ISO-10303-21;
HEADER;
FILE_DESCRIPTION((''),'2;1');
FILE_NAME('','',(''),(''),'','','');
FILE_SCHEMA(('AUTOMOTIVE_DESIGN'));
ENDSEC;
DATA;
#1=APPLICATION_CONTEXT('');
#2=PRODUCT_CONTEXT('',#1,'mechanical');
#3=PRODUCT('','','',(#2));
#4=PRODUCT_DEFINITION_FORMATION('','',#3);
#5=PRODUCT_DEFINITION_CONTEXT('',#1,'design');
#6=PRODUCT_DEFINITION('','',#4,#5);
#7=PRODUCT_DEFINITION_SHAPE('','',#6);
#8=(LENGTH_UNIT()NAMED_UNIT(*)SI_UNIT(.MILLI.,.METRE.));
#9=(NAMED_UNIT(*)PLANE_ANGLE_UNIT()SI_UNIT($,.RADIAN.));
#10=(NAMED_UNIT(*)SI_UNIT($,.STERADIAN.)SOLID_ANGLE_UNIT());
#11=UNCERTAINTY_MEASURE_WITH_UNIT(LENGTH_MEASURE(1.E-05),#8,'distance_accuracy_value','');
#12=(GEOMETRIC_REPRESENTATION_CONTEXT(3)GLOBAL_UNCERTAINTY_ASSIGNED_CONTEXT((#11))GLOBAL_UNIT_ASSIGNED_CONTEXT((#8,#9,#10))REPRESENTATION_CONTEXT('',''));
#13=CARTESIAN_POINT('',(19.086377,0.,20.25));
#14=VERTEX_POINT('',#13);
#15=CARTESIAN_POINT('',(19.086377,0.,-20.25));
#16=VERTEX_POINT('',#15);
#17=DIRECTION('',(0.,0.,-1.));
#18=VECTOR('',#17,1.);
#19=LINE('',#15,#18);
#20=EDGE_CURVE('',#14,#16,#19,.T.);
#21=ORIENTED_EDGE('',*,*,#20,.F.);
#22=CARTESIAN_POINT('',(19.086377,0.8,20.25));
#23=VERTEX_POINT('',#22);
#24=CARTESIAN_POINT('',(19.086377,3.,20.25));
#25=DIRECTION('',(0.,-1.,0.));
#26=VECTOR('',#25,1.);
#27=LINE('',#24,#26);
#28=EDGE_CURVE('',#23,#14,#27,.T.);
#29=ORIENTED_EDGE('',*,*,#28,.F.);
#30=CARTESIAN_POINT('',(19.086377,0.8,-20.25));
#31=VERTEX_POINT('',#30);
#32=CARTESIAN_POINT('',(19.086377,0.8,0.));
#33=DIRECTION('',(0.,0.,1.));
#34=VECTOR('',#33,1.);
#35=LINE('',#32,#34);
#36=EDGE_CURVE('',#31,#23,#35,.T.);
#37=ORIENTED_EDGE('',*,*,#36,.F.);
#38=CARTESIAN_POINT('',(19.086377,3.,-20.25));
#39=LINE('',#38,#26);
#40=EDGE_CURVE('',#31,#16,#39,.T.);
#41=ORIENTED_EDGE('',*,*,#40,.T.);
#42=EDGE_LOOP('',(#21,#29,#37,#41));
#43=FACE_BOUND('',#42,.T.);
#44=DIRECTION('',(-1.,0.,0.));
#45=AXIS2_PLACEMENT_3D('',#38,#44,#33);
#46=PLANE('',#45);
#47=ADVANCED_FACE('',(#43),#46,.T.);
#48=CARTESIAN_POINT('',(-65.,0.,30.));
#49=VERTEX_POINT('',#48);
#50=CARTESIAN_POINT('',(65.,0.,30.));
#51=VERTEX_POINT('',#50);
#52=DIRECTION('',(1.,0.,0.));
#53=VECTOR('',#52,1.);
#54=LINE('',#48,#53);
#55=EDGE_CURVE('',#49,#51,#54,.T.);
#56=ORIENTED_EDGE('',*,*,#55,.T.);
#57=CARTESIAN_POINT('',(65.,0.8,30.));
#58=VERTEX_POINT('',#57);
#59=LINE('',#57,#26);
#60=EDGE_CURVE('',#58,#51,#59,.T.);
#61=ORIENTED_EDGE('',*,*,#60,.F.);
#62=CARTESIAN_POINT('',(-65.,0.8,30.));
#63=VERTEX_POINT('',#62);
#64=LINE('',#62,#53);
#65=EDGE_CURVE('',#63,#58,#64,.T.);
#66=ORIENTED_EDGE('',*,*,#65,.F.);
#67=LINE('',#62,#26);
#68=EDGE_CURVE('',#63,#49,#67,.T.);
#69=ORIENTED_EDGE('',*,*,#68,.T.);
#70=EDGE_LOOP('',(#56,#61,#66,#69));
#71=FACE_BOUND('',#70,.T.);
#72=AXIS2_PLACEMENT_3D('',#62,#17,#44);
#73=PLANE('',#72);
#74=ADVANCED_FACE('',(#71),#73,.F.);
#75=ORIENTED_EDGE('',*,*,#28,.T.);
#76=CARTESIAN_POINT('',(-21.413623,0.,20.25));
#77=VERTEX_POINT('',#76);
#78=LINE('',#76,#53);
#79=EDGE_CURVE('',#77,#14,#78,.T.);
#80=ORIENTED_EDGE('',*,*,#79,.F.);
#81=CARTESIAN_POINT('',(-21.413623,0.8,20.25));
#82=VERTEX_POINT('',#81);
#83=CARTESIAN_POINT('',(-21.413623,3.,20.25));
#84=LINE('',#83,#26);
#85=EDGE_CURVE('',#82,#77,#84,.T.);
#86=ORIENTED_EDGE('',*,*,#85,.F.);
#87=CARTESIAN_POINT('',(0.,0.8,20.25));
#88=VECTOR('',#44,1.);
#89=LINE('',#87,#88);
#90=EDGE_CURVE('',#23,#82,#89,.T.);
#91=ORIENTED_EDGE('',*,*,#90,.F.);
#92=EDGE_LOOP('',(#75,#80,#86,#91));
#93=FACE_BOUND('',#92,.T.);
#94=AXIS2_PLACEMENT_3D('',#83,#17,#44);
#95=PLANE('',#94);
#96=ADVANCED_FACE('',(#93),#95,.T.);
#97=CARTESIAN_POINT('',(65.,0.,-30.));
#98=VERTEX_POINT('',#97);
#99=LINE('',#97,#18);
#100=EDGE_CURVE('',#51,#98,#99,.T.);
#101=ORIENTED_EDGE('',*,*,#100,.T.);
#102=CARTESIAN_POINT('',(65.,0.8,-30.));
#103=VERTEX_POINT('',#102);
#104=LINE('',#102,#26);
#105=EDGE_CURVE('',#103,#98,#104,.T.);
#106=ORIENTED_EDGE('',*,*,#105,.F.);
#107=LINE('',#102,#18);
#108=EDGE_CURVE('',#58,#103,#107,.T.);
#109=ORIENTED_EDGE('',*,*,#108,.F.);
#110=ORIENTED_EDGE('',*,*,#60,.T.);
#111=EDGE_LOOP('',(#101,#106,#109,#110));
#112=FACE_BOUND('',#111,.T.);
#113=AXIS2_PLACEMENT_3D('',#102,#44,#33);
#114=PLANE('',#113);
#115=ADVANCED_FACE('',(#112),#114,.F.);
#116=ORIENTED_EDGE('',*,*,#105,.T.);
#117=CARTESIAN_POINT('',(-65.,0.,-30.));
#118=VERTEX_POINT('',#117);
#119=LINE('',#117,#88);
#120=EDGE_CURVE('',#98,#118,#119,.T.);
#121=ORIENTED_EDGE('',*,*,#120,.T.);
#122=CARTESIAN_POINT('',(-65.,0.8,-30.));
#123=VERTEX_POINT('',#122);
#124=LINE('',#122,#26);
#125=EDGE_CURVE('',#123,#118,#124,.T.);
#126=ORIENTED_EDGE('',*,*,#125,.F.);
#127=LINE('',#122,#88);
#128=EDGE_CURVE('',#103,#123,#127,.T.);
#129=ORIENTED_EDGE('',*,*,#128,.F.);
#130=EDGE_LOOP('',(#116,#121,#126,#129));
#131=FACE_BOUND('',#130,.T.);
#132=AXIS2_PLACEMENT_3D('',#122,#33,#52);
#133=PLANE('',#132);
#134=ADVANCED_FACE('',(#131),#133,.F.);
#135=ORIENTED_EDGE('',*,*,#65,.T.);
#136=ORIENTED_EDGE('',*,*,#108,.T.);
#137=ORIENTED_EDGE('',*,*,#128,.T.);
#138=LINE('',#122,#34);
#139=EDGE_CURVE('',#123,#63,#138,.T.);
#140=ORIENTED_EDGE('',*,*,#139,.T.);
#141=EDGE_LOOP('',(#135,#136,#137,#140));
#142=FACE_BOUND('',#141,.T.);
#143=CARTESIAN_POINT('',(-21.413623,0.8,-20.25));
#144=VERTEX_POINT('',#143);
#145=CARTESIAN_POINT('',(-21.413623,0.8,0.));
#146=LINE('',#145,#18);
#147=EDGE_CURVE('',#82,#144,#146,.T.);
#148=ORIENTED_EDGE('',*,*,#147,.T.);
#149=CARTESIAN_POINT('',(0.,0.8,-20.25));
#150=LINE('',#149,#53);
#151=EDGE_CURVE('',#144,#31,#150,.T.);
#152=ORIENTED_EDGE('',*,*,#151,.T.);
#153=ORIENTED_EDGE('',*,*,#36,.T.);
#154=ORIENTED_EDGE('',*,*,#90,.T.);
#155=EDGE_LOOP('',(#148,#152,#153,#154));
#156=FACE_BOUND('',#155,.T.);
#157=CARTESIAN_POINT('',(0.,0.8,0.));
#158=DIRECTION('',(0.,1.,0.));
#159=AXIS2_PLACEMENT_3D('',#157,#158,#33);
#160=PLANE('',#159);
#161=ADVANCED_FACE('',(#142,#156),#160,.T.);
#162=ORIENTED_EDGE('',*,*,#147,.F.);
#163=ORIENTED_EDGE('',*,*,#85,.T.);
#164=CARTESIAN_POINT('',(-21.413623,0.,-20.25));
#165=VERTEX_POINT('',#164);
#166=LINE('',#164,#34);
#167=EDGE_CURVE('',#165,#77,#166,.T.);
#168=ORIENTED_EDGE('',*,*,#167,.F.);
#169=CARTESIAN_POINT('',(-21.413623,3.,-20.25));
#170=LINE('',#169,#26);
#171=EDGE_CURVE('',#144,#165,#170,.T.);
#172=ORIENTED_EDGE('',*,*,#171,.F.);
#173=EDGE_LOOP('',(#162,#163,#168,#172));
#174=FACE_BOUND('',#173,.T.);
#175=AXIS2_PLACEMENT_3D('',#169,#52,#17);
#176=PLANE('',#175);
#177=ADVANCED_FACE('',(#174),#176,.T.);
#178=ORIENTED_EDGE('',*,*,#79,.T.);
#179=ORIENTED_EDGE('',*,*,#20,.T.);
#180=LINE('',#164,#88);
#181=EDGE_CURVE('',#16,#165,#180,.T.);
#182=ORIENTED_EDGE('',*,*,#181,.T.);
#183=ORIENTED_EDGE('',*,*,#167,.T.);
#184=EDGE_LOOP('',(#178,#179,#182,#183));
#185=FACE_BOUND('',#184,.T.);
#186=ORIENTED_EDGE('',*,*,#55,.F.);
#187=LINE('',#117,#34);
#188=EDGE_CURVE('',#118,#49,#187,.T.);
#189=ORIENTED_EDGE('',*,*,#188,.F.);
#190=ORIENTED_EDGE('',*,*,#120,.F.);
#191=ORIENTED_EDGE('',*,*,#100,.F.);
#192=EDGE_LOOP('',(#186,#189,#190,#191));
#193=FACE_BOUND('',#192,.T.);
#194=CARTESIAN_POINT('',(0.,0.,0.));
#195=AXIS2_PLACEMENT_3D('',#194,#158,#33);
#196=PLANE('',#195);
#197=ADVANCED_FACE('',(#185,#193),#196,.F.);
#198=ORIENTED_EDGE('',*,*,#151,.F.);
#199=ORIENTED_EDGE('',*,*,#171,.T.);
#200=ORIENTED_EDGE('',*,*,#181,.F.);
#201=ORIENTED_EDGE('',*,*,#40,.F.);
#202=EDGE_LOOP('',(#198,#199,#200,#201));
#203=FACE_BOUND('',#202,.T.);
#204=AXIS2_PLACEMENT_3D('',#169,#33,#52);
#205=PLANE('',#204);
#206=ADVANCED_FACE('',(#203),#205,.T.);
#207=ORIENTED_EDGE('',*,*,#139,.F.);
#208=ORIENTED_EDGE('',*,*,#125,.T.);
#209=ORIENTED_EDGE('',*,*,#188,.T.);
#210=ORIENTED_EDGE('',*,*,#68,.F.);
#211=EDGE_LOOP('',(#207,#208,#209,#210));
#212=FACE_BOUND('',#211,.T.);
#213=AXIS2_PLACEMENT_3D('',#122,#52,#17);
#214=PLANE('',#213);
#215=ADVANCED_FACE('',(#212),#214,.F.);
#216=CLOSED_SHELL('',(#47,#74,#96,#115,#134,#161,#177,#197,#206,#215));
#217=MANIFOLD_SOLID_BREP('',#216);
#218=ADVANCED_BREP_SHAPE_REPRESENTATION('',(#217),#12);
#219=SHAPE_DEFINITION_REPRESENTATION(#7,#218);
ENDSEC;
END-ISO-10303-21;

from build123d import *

# Parameters (mm, degrees)
SKETCH2_W           = 130
SKETCH2_H           = 60
BOSS_EXTRUDE1_DEPTH = 0.8
SKETCH3_W           = 40.5
SKETCH3_H           = 40.5
CUT_EXTRUDE1_DEPTH  = 3


with BuildPart() as part:
    # Sketch2 → Boss-Extrude1 (new body)
    with BuildSketch(Plane(origin=(0, 0, 0), x_dir=(1, 0, 0), z_dir=(0, 1, 0))):
        Rectangle(SKETCH2_W, SKETCH2_H)
    extrude(amount=BOSS_EXTRUDE1_DEPTH)

    # Sketch3 → Cut-Extrude1 (cut)
    with BuildSketch(Plane(origin=(0, 0, 0), x_dir=(1, 0, 0), z_dir=(0, 1, 0))):
        with Locations((-1.163623019, 0)):
            Rectangle(SKETCH3_W, SKETCH3_H)
    extrude(amount=CUT_EXTRUDE1_DEPTH, mode=Mode.SUBTRACT)


solid = part.part
